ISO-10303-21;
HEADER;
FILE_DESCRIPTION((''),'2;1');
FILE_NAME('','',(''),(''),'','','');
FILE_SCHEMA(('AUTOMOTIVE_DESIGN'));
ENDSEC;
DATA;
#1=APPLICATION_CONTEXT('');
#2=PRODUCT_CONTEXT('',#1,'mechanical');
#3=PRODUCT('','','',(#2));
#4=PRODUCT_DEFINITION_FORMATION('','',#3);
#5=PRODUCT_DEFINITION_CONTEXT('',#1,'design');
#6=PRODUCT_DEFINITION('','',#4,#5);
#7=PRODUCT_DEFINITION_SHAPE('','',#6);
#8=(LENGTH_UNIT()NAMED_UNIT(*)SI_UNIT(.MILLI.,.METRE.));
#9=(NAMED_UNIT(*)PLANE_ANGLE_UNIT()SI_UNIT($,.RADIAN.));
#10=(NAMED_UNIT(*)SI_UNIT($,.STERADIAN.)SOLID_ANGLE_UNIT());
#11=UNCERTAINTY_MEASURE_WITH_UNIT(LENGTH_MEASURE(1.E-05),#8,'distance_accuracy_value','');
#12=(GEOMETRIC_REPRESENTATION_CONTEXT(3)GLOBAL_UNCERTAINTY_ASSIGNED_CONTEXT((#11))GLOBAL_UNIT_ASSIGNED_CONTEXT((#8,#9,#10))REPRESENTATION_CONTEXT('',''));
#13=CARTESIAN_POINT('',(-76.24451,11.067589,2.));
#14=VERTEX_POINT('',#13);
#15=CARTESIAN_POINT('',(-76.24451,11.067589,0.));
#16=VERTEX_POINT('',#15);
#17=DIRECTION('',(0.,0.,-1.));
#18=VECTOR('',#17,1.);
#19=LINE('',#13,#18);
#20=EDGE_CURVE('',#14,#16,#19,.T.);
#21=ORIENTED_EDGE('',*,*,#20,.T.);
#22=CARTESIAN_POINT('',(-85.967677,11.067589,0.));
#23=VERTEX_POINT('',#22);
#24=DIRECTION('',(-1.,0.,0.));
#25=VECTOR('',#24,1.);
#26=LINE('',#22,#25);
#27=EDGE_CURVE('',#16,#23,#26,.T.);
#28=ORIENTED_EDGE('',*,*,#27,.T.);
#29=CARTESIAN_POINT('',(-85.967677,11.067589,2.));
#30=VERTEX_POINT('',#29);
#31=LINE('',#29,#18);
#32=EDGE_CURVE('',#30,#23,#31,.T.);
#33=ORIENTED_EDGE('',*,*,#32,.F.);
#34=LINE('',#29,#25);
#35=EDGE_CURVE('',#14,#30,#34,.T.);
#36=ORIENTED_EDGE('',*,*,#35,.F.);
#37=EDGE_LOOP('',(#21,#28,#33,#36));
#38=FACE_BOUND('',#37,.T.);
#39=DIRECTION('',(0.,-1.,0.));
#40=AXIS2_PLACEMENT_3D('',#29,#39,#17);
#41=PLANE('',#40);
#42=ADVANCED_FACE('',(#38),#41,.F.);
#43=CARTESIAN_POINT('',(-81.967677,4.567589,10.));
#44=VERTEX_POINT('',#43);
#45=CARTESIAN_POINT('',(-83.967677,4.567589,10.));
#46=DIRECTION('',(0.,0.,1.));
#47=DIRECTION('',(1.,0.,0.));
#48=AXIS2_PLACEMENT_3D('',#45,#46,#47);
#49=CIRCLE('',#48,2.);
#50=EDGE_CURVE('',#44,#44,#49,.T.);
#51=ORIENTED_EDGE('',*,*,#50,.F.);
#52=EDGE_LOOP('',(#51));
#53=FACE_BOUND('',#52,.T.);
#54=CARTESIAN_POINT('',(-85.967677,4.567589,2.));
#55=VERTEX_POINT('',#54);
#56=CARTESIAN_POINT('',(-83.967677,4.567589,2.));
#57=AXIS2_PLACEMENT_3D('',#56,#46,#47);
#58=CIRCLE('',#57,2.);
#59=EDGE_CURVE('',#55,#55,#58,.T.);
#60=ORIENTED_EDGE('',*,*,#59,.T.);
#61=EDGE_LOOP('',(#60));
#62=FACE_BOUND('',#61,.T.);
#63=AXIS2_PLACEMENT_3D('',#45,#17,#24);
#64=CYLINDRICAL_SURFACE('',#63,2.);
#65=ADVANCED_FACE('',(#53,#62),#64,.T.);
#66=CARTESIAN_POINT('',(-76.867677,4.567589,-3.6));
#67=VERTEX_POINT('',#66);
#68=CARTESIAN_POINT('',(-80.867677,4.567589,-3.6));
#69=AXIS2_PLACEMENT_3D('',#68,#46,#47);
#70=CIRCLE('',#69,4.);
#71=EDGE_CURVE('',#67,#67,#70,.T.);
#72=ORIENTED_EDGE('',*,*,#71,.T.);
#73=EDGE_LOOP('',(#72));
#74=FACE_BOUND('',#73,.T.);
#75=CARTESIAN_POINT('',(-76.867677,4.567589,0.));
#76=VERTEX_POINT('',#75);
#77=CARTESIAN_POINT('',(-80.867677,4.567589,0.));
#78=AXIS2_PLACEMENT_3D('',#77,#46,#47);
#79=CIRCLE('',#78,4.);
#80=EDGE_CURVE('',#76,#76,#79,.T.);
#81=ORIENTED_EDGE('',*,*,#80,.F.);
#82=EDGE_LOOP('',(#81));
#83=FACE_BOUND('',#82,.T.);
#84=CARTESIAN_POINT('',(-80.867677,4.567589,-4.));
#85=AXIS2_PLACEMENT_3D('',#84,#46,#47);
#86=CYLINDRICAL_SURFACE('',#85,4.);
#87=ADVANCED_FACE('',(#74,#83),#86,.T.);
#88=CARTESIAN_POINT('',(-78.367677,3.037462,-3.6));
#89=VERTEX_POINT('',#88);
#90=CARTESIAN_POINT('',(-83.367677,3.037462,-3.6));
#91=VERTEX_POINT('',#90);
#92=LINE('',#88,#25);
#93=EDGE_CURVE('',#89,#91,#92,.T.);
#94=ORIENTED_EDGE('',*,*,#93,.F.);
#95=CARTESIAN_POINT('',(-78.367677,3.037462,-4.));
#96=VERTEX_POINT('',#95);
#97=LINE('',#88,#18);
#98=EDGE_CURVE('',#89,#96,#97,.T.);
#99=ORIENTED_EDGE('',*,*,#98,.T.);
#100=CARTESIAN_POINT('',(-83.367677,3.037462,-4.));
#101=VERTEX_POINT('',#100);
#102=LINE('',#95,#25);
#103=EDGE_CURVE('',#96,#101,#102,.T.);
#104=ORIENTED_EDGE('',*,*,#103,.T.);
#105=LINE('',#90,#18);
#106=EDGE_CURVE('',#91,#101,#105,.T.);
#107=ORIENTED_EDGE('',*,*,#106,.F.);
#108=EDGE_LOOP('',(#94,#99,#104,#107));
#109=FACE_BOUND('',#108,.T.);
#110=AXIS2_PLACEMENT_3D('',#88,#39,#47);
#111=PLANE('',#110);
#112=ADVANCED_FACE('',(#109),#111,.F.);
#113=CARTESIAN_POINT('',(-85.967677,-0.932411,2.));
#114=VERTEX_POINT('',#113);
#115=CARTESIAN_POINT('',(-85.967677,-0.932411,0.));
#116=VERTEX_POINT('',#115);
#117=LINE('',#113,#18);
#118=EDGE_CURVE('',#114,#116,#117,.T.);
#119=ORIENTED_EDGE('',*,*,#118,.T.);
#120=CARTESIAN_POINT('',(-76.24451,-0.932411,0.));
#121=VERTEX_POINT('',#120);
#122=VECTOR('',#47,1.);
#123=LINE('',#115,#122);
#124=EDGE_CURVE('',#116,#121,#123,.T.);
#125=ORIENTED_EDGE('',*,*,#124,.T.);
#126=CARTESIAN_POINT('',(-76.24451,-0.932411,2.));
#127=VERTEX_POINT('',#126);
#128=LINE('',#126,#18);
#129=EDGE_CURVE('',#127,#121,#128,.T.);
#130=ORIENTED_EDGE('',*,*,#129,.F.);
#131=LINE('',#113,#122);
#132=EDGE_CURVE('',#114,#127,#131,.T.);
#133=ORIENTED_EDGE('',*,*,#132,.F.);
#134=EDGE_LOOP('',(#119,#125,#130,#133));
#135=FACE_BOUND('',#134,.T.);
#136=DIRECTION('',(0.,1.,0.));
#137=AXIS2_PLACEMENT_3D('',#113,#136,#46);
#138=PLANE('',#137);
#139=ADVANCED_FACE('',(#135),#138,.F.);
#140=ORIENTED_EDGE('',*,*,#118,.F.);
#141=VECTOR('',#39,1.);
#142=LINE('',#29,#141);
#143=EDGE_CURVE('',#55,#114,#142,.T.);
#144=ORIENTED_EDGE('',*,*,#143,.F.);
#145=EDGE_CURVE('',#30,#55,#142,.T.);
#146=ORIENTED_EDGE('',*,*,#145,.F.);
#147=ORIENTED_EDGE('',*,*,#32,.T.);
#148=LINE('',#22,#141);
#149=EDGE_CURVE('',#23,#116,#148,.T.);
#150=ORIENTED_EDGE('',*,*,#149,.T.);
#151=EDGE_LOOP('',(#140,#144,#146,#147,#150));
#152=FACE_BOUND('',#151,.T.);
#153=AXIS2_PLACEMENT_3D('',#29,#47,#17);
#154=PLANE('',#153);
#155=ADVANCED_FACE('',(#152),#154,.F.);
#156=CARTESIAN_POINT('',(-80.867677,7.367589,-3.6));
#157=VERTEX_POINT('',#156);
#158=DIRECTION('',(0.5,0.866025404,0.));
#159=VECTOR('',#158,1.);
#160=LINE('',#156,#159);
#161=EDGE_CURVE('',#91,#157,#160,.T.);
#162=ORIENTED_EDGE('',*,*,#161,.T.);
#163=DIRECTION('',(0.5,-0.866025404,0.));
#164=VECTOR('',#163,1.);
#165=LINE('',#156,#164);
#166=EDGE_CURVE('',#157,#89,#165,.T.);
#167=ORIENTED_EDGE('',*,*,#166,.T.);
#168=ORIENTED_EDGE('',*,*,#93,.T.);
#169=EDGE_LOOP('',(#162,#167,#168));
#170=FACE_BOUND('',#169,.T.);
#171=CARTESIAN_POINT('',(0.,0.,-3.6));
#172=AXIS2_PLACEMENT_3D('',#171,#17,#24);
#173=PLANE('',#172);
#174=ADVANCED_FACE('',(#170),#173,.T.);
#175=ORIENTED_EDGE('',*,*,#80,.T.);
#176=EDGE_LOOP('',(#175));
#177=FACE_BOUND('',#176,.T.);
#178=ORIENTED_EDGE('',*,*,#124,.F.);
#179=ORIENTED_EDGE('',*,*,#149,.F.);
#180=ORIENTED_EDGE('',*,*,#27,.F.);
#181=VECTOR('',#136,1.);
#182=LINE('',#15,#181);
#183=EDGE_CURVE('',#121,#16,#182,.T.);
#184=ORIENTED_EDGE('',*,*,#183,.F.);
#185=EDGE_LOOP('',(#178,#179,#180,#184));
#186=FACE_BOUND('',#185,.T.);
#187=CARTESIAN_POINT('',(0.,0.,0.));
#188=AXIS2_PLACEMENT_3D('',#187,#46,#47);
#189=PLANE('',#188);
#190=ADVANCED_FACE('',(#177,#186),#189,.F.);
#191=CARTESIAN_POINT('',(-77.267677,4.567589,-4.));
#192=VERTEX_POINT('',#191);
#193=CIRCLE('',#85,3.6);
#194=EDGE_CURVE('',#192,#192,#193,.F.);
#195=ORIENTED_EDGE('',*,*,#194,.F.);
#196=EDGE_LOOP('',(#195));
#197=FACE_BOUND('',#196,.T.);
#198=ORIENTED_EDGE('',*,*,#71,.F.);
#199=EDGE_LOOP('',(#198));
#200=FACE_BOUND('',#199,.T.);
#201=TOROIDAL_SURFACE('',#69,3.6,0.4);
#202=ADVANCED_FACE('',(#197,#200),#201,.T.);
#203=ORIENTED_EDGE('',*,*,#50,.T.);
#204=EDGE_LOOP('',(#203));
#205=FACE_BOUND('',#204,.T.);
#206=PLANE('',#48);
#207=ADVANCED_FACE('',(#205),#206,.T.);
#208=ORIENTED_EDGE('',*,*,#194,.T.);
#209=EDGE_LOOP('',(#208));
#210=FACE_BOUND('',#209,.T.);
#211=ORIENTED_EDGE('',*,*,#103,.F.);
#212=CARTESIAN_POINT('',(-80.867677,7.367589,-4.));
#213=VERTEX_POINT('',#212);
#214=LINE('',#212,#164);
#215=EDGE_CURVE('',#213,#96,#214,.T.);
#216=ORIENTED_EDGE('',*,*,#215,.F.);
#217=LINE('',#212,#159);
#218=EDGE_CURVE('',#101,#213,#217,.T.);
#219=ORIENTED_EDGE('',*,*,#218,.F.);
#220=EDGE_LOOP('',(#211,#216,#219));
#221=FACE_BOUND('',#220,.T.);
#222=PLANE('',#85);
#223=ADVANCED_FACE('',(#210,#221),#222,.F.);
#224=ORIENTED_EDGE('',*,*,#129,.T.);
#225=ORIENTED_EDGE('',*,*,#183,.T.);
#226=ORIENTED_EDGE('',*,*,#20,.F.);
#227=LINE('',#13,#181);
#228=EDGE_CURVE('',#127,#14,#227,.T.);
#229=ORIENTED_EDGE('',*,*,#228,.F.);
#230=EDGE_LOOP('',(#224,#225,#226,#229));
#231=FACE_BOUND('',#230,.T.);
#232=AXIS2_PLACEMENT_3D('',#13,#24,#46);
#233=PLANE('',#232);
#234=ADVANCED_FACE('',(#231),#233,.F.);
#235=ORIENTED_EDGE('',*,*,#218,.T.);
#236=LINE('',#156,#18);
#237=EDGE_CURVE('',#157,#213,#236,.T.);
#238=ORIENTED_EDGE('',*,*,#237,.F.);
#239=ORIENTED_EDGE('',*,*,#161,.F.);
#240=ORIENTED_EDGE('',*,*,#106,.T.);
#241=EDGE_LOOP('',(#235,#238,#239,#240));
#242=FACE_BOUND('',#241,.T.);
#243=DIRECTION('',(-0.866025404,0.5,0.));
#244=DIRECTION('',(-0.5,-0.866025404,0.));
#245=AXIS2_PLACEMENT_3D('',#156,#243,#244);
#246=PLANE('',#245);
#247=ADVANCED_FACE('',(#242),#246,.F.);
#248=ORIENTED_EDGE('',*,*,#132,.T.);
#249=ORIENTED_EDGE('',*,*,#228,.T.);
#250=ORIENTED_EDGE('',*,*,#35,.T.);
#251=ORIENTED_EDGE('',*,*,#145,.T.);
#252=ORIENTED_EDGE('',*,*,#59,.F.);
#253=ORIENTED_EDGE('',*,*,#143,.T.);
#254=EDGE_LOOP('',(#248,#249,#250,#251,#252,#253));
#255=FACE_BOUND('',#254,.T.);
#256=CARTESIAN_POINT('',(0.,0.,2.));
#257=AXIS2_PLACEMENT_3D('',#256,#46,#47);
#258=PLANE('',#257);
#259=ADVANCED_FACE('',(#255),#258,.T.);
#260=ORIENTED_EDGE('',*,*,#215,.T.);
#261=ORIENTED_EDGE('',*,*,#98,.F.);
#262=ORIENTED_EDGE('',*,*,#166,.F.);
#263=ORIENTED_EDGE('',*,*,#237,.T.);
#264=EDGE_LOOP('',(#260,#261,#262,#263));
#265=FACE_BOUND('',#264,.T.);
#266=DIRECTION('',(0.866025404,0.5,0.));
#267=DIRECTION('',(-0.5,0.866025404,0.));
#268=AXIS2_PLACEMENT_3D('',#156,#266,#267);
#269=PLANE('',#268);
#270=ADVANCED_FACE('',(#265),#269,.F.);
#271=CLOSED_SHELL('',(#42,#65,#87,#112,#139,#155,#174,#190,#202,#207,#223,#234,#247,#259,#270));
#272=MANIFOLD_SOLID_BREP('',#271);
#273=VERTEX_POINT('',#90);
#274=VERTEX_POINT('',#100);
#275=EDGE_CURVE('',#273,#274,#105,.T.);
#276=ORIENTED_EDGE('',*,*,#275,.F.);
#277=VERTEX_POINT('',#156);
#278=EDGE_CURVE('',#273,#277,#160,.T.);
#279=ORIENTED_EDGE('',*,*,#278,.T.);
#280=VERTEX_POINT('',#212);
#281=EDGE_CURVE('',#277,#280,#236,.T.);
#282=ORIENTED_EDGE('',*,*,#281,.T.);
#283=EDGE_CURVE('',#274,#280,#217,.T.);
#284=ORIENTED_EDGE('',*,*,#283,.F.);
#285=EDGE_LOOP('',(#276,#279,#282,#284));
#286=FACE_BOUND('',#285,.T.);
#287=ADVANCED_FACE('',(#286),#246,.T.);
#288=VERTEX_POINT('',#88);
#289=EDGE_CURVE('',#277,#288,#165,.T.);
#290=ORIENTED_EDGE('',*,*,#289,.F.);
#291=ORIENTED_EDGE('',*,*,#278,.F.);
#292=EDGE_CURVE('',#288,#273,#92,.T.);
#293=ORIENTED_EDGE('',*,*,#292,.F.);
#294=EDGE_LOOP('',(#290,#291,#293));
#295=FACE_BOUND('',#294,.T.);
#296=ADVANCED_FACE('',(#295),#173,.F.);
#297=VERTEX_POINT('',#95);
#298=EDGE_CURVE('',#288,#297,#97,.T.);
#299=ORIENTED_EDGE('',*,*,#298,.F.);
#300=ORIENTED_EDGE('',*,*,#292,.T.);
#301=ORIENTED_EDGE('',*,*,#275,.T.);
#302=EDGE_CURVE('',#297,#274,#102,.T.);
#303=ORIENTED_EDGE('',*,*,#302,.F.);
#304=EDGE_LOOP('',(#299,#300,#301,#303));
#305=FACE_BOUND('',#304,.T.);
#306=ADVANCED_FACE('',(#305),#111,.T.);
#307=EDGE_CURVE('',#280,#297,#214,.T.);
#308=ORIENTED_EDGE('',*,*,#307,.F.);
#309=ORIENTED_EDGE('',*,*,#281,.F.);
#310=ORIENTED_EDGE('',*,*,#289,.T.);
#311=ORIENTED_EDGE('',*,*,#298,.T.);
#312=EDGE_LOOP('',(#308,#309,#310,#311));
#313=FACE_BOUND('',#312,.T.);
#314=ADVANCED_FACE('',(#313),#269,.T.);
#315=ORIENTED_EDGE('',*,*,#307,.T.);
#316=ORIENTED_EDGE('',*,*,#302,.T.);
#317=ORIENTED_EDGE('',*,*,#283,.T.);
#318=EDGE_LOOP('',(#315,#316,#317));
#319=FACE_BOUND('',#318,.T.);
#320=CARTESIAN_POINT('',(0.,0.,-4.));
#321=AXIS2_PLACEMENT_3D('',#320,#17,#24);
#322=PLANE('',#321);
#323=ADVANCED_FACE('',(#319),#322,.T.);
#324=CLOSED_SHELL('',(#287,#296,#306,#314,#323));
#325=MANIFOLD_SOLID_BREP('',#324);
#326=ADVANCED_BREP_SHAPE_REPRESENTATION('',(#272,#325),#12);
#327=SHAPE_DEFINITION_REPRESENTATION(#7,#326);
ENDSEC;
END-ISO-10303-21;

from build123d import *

# Parameters (mm, degrees)
SKIZZE2_R                       = 4
AUFSATZ_LINEAR_AUSTRAGEN1_DEPTH = 4
SKIZZE3_W                       = 9.723167254
SKIZZE3_H                       = 12
AUFSATZ_LINEAR_AUSTRAGEN2_DEPTH = 2
VERRUNDUNG1_R                   = 0.4
SKIZZE5_R                       = 2
AUFSATZ_LINEAR_AUSTRAGEN4_DEPTH = 8
SCHNITT_LINEAR_AUSTRAGEN1_DEPTH = 0.4
AUFSATZ_LINEAR_AUSTRAGEN5_DEPTH = 0.4


with BuildPart() as part:
    # Skizze2 → Aufsatz-Linear austragen1 (new body)
    with BuildSketch(Plane.XY):
        with Locations((-80.86767695, 4.567589342)):
            Circle(SKIZZE2_R)
    extrude(amount=-AUFSATZ_LINEAR_AUSTRAGEN1_DEPTH)

    # Skizze3 → Aufsatz-Linear austragen2 (add)
    with BuildSketch(Plane.XY):
        with Locations((-81.106093323, 5.067589342)):
            Rectangle(SKIZZE3_W, SKIZZE3_H)
    extrude(amount=AUFSATZ_LINEAR_AUSTRAGEN2_DEPTH)

    # Verrundung1
    verrundung1_edges = [part.edges().sort_by_distance(p)[0] for p in [
        (-84.86767695, 4.567589342, -4),
    ]]
    fillet(verrundung1_edges, radius=VERRUNDUNG1_R)

    # Skizze5 → Aufsatz-Linear austragen4 (add)
    with BuildSketch(Plane.XY.offset(2)):
        with Locations((-83.96767695, 4.567589342)):
            Circle(SKIZZE5_R)
    extrude(amount=AUFSATZ_LINEAR_AUSTRAGEN4_DEPTH)

    # Skizze4 → Schnitt-Linear austragen1 (cut)
    with BuildSketch(Plane(origin=(0, 0, -4), x_dir=(-1, 0, 0), z_dir=(0, 0, -1))):
        Polygon((78.36767695, 3.037462323), (83.36767695, 3.037462323), (80.86767695, 7.367589342), align=None)
    extrude(amount=-SCHNITT_LINEAR_AUSTRAGEN1_DEPTH, mode=Mode.SUBTRACT)


with BuildPart() as body_2:
    # Skizze4<3> → Aufsatz-Linear austragen5 (new body)
    with BuildSketch(Plane(origin=(0, 0, -4), x_dir=(-1, 0, 0), z_dir=(0, 0, -1))):
        Polygon((78.36767695, 3.037462323), (83.36767695, 3.037462323), (80.86767695, 7.367589342), align=None)
    extrude(amount=-AUFSATZ_LINEAR_AUSTRAGEN5_DEPTH)


solid = Compound([part.part, body_2.part])
